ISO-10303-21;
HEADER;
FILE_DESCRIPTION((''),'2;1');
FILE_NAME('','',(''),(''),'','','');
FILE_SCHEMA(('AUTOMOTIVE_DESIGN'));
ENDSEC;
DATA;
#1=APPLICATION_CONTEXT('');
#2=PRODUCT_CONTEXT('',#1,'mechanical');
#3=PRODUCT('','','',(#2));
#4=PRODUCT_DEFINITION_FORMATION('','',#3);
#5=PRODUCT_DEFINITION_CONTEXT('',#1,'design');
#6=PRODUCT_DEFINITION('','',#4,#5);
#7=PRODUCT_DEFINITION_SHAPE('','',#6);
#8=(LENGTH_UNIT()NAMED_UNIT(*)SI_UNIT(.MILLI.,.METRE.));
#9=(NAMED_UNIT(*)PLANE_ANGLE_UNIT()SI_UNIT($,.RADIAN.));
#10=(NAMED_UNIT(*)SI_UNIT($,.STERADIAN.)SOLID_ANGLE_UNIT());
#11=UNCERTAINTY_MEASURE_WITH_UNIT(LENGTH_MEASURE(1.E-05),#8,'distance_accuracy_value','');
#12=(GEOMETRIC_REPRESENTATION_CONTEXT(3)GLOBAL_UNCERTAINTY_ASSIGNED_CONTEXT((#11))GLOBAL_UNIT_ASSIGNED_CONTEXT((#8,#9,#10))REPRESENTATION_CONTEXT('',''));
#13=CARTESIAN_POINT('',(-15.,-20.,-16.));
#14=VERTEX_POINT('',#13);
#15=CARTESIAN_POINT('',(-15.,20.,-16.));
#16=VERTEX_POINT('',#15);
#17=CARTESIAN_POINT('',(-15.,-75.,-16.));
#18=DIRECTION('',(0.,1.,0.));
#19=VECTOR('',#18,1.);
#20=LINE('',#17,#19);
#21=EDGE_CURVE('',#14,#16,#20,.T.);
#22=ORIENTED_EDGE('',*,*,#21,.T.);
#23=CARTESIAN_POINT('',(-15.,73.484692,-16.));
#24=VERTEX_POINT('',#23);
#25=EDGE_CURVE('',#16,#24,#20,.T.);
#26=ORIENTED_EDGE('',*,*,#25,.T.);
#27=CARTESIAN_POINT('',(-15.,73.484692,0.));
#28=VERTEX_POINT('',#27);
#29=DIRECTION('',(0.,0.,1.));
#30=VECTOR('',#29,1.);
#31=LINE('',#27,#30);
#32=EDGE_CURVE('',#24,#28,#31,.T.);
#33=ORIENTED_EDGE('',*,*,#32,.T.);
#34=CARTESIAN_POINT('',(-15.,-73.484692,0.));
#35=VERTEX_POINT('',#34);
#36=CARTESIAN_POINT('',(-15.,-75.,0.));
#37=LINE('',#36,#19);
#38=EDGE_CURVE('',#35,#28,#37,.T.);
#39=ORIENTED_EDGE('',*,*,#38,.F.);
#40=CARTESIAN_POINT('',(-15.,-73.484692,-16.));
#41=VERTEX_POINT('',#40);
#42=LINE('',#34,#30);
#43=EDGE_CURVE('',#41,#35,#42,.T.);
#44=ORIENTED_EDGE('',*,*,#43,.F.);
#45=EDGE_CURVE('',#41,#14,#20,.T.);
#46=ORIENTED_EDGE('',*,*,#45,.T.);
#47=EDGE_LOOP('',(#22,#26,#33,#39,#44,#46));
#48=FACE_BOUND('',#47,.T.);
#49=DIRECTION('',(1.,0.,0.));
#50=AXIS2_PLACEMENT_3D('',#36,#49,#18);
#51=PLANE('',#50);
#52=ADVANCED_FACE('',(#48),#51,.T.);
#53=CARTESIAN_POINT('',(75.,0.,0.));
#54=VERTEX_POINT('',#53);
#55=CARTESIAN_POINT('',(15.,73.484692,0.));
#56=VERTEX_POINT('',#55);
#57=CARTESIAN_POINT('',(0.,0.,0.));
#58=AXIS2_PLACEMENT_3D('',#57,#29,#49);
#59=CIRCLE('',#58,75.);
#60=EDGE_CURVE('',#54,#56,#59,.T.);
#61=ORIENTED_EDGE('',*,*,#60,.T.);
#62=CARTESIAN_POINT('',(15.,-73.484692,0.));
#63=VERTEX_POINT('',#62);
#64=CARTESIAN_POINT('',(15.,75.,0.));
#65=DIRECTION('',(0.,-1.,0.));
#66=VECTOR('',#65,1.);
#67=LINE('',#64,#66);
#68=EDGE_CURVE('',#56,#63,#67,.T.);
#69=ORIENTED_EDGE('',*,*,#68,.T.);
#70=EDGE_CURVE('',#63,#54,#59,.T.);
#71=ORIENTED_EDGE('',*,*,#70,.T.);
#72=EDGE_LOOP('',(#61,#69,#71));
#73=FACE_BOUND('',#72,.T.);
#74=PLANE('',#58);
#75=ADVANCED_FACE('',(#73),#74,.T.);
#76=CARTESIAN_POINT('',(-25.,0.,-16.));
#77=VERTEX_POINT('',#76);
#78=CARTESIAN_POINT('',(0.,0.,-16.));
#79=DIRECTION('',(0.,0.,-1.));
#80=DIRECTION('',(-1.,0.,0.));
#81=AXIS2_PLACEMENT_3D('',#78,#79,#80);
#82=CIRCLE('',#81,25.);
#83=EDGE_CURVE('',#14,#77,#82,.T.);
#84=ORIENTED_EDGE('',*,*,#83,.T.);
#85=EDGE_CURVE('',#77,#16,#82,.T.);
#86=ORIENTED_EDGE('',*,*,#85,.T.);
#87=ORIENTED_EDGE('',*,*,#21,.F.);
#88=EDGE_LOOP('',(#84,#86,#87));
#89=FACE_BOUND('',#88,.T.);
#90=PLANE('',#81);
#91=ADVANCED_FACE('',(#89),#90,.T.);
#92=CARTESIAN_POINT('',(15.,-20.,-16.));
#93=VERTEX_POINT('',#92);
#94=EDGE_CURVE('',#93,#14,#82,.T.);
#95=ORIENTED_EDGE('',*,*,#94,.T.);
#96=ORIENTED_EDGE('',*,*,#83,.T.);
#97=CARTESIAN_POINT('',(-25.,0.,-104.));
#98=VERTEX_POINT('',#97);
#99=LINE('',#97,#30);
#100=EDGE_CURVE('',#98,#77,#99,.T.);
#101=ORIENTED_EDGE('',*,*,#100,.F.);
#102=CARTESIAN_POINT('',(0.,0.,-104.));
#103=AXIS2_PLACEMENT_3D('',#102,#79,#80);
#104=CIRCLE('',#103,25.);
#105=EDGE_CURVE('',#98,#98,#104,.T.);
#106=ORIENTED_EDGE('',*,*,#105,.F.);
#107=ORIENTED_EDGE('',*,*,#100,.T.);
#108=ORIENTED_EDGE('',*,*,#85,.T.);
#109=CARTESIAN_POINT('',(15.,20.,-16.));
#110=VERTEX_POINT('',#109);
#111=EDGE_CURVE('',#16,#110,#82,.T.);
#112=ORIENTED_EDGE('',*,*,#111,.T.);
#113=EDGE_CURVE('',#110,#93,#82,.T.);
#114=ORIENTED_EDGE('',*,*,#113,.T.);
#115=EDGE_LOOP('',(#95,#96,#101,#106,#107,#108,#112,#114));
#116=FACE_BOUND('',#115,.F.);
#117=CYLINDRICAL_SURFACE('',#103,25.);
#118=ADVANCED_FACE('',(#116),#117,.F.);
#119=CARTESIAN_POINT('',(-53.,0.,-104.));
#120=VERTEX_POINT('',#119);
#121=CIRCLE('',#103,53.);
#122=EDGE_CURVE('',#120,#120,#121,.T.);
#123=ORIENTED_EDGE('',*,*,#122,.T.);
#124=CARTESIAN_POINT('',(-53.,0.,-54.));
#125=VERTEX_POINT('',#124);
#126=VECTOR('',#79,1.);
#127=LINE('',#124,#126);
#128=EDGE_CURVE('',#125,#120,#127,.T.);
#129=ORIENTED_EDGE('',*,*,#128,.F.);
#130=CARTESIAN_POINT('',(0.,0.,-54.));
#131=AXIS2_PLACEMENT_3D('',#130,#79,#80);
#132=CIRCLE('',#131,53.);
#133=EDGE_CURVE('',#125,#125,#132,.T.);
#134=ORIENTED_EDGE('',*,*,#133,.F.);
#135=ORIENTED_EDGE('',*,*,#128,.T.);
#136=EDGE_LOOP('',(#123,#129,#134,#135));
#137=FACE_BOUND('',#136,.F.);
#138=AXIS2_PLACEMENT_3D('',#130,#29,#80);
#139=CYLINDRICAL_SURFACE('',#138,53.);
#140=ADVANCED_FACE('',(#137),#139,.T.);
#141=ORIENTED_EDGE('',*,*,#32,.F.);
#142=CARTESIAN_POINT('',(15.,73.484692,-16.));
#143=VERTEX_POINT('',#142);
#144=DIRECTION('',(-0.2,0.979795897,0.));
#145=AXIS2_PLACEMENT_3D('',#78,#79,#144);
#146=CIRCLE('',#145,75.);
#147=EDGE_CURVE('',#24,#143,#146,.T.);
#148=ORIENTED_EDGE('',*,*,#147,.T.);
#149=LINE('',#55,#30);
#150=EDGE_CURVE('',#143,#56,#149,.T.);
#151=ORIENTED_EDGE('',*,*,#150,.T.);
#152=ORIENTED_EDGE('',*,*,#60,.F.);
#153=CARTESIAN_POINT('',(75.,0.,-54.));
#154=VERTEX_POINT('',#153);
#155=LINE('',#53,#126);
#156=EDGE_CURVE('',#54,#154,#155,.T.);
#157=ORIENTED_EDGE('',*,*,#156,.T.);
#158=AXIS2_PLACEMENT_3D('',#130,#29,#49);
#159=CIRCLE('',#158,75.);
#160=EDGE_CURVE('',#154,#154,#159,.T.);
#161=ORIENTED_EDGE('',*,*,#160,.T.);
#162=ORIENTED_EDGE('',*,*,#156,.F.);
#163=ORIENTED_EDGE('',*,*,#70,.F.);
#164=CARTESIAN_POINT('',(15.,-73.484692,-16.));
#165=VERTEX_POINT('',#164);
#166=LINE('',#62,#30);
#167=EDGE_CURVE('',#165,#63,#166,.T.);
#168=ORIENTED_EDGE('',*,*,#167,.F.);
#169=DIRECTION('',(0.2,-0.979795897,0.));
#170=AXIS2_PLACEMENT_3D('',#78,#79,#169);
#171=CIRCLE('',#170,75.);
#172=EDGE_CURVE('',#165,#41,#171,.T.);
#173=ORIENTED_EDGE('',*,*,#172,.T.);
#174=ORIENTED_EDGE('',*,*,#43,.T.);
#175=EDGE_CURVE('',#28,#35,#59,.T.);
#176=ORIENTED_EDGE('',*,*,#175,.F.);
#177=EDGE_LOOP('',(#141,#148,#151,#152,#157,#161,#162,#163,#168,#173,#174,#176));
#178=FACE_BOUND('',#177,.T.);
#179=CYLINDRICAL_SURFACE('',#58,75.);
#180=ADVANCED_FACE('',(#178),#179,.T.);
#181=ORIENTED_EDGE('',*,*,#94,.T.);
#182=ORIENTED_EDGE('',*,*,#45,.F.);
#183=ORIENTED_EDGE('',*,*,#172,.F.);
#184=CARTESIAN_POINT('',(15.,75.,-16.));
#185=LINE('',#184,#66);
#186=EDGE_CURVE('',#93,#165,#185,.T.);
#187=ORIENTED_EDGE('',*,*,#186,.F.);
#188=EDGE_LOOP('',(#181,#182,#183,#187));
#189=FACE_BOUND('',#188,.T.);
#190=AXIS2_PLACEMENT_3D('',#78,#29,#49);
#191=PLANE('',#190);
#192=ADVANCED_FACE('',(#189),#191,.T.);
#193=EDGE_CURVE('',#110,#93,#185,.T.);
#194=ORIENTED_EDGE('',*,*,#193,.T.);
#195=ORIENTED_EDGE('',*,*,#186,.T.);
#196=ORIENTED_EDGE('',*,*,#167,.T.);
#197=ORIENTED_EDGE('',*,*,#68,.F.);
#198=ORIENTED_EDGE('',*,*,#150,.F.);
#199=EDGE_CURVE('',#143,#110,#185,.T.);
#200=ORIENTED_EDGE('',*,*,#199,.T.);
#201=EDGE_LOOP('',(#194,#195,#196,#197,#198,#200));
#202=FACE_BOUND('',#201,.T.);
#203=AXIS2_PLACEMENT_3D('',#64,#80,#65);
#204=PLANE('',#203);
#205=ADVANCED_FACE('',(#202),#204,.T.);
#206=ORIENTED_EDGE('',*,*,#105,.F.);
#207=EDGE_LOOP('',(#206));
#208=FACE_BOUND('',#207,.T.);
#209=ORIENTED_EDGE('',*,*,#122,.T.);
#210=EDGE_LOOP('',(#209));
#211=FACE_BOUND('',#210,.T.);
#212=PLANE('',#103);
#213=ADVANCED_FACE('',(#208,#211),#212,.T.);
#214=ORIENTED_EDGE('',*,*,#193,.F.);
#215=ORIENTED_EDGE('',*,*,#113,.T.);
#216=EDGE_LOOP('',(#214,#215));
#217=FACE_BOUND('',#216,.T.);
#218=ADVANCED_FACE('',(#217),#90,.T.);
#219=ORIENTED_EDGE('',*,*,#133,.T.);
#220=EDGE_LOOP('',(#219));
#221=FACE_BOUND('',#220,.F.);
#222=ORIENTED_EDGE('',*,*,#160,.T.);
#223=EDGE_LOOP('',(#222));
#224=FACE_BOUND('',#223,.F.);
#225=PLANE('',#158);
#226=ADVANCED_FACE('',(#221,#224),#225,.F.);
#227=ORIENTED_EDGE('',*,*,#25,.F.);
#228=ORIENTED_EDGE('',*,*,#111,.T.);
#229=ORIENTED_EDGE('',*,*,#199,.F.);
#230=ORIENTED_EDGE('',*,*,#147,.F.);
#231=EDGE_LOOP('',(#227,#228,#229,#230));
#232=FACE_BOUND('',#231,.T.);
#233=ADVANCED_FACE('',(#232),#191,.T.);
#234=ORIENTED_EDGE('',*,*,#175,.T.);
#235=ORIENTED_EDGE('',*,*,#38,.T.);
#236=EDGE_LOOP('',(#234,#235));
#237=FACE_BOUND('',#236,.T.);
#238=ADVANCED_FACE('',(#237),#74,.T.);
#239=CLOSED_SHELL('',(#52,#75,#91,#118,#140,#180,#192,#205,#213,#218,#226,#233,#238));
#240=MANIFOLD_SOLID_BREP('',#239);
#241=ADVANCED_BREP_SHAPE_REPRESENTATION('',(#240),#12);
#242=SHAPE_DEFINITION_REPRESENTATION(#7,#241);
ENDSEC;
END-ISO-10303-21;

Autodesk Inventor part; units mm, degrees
ref_plane "YZ Plane" through (0, 0, 0) normal (1, 0, 0) x (0, 1, 0)
ref_plane "XZ Plane" through (0, 0, 0) normal (0, 1, 0) x (-1, 0, 0)
ref_plane "XY Plane" through (0, 0, 0) normal (0, 0, 1) x (1, 0, 0)
sketch "Sketch1" plane through (0, 0, 0) normal (0, 0, 1) x (1, 0, 0)
  circle A0 centre (0, 0) radius 75
  dimension "d0" = 150
extrude "Extrusion1" add sketch "Sketch1" against normal blind 54
sketch "Sketch2" plane through (0, 0, 0) normal (0, 0, 1) x (1, 0, 0)
  line L0 (-15, 75) -> (15, 75)
  line L1 (15, 75) -> (15, -75)
  line L2 (15, -75) -> (-15, -75)
  line L3 (-15, -75) -> (-15, 75)
  point P0 (0, 0)
  dimension "d3" = 30
  dimension "d4" = 15
  dimension "d5" = 75
  dimension "d6" = 75
extrude "Extrusion2" cut sketch "Sketch2" against normal blind 16
sketch "Sketch3" plane through (0, 0, -54) normal (0, 0, -1) x (-1, 0, 0)
  circle A0 centre (0, 0) radius 53
  dimension "d9" = 106
extrude "Extrusion3" add sketch "Sketch3" along normal blind 50
sketch "Sketch4" plane through (0, 0, -104) normal (0, 0, -1) x (-1, 0, 0)
  circle A0 centre (0, 0) radius 25
  dimension "d12" = 50
extrude "Extrusion4" cut sketch "Sketch4" against normal blind 88
equation "\"d4\" = 0.5 * d3"
equation "\"d6\" = d5"
